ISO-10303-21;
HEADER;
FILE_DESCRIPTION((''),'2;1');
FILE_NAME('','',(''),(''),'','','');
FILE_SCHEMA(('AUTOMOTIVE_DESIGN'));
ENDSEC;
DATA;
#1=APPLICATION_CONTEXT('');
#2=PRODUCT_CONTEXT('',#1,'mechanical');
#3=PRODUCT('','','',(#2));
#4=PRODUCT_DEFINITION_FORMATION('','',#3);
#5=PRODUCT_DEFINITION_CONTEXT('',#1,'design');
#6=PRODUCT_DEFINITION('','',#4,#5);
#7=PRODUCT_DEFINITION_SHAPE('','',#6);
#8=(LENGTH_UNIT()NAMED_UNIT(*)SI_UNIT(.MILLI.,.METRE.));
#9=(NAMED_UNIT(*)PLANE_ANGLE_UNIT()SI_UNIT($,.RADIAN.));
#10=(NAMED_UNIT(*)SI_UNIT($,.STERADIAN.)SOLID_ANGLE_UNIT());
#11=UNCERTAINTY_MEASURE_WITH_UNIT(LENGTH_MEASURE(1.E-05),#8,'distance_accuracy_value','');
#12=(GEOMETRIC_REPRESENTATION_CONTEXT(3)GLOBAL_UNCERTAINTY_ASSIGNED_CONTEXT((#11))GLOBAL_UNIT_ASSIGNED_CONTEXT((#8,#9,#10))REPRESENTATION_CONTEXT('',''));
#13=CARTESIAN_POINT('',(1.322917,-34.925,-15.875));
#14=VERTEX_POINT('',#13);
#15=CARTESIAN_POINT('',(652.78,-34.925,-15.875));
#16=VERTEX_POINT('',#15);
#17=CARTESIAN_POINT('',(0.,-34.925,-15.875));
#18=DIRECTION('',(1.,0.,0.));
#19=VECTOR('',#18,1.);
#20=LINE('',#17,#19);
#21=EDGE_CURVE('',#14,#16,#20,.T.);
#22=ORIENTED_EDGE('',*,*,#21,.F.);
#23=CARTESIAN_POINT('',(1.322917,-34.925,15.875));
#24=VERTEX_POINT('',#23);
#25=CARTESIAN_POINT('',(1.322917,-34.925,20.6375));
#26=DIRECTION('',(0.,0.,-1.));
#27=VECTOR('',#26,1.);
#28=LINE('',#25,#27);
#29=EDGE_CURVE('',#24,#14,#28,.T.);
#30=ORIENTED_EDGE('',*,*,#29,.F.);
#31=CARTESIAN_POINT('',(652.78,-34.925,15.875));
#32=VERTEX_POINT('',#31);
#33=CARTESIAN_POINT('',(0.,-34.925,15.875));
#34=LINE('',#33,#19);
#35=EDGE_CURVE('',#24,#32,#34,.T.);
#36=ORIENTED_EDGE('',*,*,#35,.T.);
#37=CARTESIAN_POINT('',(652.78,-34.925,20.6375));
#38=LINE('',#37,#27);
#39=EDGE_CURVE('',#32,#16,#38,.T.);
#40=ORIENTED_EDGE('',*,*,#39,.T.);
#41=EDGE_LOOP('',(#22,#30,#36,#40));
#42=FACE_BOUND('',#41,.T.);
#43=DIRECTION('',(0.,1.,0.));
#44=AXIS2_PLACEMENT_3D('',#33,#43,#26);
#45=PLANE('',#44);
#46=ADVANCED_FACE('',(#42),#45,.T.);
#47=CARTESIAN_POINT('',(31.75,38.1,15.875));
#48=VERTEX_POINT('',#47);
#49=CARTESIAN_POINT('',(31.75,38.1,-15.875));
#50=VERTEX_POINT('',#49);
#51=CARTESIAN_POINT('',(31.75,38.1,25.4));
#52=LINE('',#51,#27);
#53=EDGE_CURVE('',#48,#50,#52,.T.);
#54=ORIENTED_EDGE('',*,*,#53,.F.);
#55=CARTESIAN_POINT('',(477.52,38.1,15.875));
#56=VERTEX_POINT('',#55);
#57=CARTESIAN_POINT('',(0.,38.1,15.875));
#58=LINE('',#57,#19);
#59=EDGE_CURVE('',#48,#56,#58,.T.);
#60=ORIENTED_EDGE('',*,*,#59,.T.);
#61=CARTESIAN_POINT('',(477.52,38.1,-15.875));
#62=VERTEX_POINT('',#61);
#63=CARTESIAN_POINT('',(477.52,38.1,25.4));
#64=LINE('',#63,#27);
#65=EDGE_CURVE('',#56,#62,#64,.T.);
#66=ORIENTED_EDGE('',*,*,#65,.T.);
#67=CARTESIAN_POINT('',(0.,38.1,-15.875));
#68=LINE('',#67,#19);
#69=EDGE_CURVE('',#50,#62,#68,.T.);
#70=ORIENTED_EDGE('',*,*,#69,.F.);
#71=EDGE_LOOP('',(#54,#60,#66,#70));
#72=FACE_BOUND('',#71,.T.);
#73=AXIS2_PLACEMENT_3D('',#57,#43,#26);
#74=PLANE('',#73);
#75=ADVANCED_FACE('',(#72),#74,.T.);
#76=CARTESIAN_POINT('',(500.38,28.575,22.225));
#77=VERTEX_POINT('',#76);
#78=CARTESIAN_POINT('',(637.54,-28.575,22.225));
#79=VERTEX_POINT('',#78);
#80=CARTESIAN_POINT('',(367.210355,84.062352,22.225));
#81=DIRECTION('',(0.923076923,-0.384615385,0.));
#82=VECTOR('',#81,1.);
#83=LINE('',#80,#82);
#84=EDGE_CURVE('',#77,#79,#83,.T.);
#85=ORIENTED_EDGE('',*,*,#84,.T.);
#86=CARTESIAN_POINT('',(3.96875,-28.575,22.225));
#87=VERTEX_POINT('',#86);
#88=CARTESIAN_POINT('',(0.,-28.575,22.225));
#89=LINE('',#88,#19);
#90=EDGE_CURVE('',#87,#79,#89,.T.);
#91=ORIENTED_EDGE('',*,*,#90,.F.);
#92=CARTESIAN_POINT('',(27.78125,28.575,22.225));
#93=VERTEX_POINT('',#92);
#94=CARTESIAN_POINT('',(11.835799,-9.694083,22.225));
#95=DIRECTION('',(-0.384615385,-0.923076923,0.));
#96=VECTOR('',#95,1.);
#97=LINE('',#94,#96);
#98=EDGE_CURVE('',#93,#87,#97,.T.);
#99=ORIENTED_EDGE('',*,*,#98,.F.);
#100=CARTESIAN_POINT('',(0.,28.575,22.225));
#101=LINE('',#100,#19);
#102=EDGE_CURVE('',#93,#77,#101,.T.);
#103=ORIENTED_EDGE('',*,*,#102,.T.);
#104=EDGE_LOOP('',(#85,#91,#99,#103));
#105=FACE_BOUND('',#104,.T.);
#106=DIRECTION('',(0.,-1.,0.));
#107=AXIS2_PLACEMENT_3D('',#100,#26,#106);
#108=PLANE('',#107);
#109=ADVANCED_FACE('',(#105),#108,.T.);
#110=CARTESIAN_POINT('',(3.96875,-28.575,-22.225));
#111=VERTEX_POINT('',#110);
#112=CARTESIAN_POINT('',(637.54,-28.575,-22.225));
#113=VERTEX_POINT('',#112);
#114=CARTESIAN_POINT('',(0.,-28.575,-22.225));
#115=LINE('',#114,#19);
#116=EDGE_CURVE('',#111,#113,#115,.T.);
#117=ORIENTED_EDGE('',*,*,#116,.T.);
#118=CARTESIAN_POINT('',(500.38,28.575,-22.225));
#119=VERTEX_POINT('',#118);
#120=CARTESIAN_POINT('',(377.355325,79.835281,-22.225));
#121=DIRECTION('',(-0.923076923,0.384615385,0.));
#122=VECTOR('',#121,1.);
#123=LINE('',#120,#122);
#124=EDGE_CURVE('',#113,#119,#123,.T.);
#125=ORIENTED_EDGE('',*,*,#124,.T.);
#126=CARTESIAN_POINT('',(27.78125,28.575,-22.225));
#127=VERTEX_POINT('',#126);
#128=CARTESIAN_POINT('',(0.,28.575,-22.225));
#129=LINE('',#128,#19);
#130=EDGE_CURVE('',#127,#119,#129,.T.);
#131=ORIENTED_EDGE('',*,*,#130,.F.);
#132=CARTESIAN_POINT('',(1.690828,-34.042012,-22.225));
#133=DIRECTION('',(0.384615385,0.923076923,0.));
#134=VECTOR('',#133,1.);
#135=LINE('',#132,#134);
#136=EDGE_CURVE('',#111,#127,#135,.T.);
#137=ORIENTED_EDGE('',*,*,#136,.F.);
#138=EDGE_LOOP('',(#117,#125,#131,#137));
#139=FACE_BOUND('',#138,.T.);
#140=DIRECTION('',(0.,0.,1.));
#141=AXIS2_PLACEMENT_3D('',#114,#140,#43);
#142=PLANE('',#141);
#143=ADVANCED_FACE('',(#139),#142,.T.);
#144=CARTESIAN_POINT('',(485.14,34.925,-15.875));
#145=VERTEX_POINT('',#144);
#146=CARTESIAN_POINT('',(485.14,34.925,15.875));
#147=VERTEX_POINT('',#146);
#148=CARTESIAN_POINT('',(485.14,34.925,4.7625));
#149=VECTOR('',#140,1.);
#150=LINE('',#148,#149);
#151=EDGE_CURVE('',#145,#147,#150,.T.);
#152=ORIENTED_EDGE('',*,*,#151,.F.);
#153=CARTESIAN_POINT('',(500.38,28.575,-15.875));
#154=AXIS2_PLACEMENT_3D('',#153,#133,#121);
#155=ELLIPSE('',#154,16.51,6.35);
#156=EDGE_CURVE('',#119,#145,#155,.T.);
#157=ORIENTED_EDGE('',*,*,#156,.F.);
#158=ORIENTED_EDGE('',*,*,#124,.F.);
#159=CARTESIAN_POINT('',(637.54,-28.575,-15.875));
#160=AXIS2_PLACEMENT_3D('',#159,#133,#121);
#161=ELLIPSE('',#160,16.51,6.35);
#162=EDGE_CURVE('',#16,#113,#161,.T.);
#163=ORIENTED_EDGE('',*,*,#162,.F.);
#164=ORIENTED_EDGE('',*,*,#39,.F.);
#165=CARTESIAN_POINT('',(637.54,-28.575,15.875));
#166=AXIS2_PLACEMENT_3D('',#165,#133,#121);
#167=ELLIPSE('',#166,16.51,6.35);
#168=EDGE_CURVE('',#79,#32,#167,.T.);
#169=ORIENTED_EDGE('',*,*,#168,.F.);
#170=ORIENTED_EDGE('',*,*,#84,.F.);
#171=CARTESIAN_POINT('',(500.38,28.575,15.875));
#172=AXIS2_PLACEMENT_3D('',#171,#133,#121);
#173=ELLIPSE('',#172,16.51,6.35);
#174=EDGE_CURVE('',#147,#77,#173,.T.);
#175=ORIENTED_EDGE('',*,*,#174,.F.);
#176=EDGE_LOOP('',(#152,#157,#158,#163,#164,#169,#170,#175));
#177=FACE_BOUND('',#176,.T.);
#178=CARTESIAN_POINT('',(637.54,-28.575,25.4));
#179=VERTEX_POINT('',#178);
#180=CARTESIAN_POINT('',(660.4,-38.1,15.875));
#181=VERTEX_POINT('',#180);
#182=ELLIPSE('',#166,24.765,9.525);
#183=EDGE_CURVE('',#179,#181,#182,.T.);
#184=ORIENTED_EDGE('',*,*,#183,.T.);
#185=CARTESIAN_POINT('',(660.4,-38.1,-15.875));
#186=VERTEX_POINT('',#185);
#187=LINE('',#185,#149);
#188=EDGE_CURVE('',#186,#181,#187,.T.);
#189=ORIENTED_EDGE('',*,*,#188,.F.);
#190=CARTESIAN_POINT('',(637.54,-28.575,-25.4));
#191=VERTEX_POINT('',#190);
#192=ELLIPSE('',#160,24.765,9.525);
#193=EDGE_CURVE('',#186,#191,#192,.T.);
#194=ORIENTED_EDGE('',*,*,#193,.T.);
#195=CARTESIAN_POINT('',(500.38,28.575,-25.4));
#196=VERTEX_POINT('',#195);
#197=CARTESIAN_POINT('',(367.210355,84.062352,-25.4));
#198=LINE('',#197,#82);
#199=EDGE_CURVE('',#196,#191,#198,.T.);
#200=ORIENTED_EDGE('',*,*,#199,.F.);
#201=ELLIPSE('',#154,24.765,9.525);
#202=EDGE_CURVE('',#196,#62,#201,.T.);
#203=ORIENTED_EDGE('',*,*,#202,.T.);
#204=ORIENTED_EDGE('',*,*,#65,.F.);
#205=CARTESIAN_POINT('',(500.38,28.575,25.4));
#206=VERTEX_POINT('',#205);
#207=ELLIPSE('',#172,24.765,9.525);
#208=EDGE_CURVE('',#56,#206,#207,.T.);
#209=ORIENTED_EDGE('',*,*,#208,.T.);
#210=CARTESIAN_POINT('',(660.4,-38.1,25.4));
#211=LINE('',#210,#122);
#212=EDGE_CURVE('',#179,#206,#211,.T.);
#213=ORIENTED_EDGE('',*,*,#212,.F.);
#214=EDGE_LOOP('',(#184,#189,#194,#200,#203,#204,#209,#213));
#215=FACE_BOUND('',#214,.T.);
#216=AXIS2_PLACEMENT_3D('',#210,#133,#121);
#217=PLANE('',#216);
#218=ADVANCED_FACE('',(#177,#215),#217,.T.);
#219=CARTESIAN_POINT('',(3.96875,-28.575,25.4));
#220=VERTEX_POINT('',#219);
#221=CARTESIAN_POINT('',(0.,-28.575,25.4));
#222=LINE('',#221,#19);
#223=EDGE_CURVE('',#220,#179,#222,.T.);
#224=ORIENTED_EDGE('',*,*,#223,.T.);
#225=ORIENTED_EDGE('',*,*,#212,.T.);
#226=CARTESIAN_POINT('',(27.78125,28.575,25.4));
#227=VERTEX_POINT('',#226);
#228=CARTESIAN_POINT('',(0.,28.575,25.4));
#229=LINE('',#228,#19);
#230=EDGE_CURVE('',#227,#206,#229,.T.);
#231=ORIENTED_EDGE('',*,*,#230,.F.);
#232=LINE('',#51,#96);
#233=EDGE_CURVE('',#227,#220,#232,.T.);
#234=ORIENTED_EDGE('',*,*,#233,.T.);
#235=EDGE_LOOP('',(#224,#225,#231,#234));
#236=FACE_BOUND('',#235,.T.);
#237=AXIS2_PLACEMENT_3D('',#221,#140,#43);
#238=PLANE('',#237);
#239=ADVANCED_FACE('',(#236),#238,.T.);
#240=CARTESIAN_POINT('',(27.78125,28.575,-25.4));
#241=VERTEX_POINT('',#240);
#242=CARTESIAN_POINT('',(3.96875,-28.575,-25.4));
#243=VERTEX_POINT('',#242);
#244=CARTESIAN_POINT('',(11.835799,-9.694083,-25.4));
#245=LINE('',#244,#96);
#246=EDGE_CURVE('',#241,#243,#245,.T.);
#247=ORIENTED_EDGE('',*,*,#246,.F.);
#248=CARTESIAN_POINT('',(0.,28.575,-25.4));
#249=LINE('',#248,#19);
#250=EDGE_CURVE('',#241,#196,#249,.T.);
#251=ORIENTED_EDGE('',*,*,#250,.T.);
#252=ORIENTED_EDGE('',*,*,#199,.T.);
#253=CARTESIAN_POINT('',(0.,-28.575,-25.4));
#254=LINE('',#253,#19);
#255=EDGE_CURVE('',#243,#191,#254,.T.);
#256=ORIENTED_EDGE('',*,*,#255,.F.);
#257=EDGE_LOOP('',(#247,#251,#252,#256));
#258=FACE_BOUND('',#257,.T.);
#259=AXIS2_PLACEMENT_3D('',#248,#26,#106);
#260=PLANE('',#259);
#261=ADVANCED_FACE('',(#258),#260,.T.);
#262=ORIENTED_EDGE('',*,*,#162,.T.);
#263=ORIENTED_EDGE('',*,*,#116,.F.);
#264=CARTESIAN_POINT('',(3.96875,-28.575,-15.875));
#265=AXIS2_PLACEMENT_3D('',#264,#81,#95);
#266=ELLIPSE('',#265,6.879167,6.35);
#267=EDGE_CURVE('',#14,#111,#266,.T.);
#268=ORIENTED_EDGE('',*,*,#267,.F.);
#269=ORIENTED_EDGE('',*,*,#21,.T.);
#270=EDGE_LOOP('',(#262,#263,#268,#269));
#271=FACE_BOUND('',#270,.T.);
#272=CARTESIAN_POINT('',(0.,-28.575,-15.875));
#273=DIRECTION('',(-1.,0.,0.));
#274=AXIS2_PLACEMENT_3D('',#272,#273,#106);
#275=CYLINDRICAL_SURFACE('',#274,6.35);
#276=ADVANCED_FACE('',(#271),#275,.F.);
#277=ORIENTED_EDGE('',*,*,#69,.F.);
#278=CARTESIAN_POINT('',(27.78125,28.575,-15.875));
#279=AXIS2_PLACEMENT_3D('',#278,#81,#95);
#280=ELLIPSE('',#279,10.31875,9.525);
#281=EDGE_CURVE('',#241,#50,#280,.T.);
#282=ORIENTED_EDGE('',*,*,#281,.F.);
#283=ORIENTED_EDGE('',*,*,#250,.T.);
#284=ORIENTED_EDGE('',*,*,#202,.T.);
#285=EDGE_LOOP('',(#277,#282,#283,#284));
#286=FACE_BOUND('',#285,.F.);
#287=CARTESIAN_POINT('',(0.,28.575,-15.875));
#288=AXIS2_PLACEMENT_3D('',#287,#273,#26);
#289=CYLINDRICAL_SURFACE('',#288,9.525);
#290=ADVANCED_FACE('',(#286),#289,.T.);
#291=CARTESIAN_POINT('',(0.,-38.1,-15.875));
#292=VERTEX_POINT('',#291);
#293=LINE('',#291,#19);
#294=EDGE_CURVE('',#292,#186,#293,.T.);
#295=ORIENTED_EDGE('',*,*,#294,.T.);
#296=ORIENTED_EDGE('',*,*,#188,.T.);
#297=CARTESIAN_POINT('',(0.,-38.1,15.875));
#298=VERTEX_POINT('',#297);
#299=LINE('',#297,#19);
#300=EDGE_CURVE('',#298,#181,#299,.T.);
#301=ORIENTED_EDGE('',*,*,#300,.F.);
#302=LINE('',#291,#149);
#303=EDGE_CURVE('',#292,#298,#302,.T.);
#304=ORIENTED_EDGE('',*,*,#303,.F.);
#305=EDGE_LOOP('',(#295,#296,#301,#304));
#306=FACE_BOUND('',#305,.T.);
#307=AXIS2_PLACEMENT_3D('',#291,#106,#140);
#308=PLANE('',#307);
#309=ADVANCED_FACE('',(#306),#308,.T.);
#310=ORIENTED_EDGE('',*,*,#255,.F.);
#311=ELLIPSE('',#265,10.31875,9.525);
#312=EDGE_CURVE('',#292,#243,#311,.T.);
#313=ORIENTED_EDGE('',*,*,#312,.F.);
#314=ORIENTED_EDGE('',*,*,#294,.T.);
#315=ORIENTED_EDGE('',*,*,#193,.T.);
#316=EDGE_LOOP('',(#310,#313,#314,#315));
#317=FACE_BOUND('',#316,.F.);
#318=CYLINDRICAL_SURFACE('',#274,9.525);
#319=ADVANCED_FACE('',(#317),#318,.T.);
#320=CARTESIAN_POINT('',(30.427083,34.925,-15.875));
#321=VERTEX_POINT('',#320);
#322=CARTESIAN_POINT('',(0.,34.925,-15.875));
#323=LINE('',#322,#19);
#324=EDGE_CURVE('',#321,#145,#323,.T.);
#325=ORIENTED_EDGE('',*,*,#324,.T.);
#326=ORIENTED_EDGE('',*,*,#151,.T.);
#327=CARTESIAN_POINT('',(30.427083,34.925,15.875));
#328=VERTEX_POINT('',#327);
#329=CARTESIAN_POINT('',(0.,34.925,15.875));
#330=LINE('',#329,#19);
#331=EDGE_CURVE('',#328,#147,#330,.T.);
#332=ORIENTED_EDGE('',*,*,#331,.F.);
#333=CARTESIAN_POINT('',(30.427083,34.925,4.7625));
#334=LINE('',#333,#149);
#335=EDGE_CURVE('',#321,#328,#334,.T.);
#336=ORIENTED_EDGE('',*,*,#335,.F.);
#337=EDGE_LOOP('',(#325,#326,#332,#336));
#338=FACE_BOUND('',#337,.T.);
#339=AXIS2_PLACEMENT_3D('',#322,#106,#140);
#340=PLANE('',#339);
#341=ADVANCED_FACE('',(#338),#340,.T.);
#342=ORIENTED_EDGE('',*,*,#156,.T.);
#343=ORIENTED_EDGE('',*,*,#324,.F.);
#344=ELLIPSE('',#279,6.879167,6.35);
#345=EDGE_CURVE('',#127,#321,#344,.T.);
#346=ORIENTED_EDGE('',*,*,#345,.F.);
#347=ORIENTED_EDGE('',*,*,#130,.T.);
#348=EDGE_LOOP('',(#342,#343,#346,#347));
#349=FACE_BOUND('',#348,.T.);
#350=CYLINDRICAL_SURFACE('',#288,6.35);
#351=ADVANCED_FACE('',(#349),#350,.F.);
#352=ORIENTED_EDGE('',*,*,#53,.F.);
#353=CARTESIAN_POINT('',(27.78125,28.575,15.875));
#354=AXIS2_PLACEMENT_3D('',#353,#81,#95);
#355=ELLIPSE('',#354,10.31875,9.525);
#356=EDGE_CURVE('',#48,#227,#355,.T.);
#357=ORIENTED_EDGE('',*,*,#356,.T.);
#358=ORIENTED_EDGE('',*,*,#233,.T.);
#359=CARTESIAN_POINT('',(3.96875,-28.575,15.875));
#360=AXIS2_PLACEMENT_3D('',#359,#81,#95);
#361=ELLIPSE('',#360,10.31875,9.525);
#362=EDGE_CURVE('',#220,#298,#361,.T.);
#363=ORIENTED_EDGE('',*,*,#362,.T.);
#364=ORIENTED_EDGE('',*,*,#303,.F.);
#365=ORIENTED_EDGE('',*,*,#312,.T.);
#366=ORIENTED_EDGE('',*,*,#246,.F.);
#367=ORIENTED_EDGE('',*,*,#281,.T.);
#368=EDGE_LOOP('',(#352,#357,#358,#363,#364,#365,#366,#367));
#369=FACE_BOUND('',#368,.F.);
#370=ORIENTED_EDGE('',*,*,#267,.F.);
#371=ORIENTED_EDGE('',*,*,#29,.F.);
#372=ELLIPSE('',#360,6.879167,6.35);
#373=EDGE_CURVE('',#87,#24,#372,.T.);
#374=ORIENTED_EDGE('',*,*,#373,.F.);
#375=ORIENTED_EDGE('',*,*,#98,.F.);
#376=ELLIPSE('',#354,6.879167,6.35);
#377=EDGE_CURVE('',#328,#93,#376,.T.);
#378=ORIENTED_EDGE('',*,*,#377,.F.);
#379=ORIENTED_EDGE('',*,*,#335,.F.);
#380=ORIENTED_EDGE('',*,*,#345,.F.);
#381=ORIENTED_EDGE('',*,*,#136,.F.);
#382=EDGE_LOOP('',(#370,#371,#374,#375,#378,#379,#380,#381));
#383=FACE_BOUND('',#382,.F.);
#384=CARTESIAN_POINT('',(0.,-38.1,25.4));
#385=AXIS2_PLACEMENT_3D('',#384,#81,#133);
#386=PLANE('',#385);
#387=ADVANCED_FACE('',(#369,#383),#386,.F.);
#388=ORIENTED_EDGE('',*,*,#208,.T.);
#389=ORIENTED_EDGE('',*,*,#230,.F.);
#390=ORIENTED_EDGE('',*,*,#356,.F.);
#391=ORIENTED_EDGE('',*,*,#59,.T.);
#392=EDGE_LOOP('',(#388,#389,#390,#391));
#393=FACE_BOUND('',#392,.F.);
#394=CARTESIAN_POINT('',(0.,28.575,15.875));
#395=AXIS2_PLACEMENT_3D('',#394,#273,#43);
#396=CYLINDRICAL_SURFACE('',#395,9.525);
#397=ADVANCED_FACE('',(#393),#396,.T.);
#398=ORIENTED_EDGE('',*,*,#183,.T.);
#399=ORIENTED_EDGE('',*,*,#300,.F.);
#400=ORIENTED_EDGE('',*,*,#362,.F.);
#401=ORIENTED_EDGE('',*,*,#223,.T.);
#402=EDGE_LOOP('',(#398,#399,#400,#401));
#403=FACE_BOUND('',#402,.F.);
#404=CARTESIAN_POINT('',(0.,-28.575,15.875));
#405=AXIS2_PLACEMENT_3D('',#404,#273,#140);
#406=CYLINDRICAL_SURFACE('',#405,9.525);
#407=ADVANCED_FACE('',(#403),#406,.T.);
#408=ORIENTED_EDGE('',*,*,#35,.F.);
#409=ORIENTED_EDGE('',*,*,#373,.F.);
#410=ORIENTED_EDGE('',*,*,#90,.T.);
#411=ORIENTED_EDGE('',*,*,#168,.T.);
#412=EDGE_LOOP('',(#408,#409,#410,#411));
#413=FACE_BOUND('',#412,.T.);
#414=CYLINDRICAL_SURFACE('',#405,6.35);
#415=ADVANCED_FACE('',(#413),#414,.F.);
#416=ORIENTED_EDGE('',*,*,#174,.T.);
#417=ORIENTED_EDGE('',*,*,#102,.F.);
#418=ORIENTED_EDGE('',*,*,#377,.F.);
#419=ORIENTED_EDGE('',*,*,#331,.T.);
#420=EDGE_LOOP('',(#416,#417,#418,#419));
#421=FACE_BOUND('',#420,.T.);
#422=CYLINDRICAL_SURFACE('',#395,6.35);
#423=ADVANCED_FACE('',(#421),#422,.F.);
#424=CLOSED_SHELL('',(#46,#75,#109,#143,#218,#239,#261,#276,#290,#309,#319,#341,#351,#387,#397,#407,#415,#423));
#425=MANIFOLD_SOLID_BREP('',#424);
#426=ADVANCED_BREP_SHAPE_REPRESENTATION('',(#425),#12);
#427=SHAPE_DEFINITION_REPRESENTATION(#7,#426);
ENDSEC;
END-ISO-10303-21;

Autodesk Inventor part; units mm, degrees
ref_plane "YZ Plane" through (0, 0, 0) normal (1, 0, 0) x (0, 1, 0)
ref_plane "XZ Plane" through (0, 0, 0) normal (0, 1, 0) x (-1, 0, 0)
ref_plane "XY Plane" through (0, 0, 0) normal (0, 0, 1) x (1, 0, 0)
sketch "Sketch1" plane through (0, 0, 0) normal (1, 0, 0) x (0, 1, 0)
  line L0 (-28.575, 25.4) -> (28.575, 25.4)
  line L1 (38.1, 15.875) -> (38.1, -15.875)
  line L2 (28.575, -25.4) -> (-28.575, -25.4)
  line L3 (-38.1, -15.875) -> (-38.1, 15.875)
  line L4 (-38.1, 25.4) -> (38.1, -25.4) construction
  line L5 (38.1, 25.4) -> (-38.1, -25.4) construction
  arc A0 (38.1, 15.875) -> (28.575, 25.4) centre (28.575, 15.875) ccw
  arc A1 (-28.575, 25.4) -> (-38.1, 15.875) centre (-28.575, 15.875) ccw
  arc A2 (-38.1, -15.875) -> (-28.575, -25.4) centre (-28.575, -15.875) ccw
  arc A3 (28.575, -25.4) -> (38.1, -15.875) centre (28.575, -15.875) ccw
  line L6 (34.925, -15.875) -> (34.925, 15.875)
  arc A4 (34.925, 15.875) -> (28.575, 22.225) centre (28.575, 15.875) ccw
  line L7 (28.575, 22.225) -> (-28.575, 22.225)
  arc A5 (-28.575, 22.225) -> (-34.925, 15.875) centre (-28.575, 15.875) ccw
  line L8 (-34.925, 15.875) -> (-34.925, -15.875)
  arc A6 (-34.925, -15.875) -> (-28.575, -22.225) centre (-28.575, -15.875) ccw
  line L9 (-28.575, -22.225) -> (28.575, -22.225)
  arc A7 (28.575, -22.225) -> (34.925, -15.875) centre (28.575, -15.875) ccw
  point P0 (0, 0)
  dimension "d0" = 76.2
  dimension "d1" = 50.8
  dimension "d2" = 9.525
  dimension "d3" = 3.175
extrude "Extrusion1" add sketch "Sketch1" along normal blind 660.4
sketch "Sketch2" plane through (0, -28.575, 25.4) normal (0, 0, 1) x (1, 0, 0)
  line L0 (0, -9.525) -> (660.4, -9.525) projected
  line L1 (0, -9.525) -> (31.75, 66.675)
  line L2 (0, 66.675) -> (660.4, 66.675) projected
  line L3 (0, 57.15) -> (0, 0) projected
  line L4 (0, 57.15) -> (0, 66.675) projected
  line L5 (54.4286, 66.675) -> (0, 66.675)
  line L6 (0, 66.675) -> (0, -9.525)
  line L7 (660.4, -9.525) -> (477.52, 66.675)
  line L8 (477.52, 66.675) -> (660.4, 66.675)
  line L9 (660.4, 66.675) -> (660.4, -9.525)
  line L10 (0, 57.15) -> (660.4, 57.15) projected
  point P0 (0, 28.575)
  dimension "d6" = 22.62
  dimension "d7" = 22.62
extrude "Extrusion2" cut sketch "Sketch2" against normal through all contours L6 L3 L10 L1 | L7 L10 L9 | L10 L4 L2 L1 | L7 L2 L9 L10
equation "\"d0\" = stockWidth"
equation "\"d1\" = stockHeight"
equation "\"d2\" = stockRad"
equation "\"d3\" = stockGuage"
equation "\"d4\" = sup1Len"
equation "\"d6\" = sup1Ang"
equation "\"d7\" = sup1Ang"
equation "\"height\" = 203.2"
equation "\"shaftDiam\" = 6.35"
equation "\"shaftSpace\" = 1.5875"
equation "\"stageSpace\" = 2.54"
equation "\"stageAngle\" = 15deg"
equation "\"stockHeight\" = 50.8"
equation "\"stockWidth\" = 76.2"
equation "\"stockRad\" = 9.525"
equation "\"stockGuage\" = 3.175"
equation "\"groundActu\" = 304.8"
equation "\"baseWidth\" = 1066.8"
equation "\"baseDepth\" = 254"
equation "\"capThickness\" = 3.175"
equation "\"sup1Len\" = 660.4"
equation "\"sup1Ang\" = 22.6199deg"
equation "\"supVertLen\" = 955.13561"
equation "\"sup2Ang\" = 8.959949deg"
equation "\"sup2Len\" = 2079.37366"
equation "\"supSideAng\" = 19.376933deg"
equation "\"supSideLen\" = 1531.12879"
equation "\"FlangeDiam\" = 12.7"
equation "\"bearingDiam\" = 9.5504"
equation "\"FlangeDepth\" = 1.5875"
equation "\"smallFilet\" = 0.39687"
equation "\"thickness\" = 12.7"
equation "\"ringDiam\" = 96.46608"
properties part number "support 1" material "Aluminum 6061"
